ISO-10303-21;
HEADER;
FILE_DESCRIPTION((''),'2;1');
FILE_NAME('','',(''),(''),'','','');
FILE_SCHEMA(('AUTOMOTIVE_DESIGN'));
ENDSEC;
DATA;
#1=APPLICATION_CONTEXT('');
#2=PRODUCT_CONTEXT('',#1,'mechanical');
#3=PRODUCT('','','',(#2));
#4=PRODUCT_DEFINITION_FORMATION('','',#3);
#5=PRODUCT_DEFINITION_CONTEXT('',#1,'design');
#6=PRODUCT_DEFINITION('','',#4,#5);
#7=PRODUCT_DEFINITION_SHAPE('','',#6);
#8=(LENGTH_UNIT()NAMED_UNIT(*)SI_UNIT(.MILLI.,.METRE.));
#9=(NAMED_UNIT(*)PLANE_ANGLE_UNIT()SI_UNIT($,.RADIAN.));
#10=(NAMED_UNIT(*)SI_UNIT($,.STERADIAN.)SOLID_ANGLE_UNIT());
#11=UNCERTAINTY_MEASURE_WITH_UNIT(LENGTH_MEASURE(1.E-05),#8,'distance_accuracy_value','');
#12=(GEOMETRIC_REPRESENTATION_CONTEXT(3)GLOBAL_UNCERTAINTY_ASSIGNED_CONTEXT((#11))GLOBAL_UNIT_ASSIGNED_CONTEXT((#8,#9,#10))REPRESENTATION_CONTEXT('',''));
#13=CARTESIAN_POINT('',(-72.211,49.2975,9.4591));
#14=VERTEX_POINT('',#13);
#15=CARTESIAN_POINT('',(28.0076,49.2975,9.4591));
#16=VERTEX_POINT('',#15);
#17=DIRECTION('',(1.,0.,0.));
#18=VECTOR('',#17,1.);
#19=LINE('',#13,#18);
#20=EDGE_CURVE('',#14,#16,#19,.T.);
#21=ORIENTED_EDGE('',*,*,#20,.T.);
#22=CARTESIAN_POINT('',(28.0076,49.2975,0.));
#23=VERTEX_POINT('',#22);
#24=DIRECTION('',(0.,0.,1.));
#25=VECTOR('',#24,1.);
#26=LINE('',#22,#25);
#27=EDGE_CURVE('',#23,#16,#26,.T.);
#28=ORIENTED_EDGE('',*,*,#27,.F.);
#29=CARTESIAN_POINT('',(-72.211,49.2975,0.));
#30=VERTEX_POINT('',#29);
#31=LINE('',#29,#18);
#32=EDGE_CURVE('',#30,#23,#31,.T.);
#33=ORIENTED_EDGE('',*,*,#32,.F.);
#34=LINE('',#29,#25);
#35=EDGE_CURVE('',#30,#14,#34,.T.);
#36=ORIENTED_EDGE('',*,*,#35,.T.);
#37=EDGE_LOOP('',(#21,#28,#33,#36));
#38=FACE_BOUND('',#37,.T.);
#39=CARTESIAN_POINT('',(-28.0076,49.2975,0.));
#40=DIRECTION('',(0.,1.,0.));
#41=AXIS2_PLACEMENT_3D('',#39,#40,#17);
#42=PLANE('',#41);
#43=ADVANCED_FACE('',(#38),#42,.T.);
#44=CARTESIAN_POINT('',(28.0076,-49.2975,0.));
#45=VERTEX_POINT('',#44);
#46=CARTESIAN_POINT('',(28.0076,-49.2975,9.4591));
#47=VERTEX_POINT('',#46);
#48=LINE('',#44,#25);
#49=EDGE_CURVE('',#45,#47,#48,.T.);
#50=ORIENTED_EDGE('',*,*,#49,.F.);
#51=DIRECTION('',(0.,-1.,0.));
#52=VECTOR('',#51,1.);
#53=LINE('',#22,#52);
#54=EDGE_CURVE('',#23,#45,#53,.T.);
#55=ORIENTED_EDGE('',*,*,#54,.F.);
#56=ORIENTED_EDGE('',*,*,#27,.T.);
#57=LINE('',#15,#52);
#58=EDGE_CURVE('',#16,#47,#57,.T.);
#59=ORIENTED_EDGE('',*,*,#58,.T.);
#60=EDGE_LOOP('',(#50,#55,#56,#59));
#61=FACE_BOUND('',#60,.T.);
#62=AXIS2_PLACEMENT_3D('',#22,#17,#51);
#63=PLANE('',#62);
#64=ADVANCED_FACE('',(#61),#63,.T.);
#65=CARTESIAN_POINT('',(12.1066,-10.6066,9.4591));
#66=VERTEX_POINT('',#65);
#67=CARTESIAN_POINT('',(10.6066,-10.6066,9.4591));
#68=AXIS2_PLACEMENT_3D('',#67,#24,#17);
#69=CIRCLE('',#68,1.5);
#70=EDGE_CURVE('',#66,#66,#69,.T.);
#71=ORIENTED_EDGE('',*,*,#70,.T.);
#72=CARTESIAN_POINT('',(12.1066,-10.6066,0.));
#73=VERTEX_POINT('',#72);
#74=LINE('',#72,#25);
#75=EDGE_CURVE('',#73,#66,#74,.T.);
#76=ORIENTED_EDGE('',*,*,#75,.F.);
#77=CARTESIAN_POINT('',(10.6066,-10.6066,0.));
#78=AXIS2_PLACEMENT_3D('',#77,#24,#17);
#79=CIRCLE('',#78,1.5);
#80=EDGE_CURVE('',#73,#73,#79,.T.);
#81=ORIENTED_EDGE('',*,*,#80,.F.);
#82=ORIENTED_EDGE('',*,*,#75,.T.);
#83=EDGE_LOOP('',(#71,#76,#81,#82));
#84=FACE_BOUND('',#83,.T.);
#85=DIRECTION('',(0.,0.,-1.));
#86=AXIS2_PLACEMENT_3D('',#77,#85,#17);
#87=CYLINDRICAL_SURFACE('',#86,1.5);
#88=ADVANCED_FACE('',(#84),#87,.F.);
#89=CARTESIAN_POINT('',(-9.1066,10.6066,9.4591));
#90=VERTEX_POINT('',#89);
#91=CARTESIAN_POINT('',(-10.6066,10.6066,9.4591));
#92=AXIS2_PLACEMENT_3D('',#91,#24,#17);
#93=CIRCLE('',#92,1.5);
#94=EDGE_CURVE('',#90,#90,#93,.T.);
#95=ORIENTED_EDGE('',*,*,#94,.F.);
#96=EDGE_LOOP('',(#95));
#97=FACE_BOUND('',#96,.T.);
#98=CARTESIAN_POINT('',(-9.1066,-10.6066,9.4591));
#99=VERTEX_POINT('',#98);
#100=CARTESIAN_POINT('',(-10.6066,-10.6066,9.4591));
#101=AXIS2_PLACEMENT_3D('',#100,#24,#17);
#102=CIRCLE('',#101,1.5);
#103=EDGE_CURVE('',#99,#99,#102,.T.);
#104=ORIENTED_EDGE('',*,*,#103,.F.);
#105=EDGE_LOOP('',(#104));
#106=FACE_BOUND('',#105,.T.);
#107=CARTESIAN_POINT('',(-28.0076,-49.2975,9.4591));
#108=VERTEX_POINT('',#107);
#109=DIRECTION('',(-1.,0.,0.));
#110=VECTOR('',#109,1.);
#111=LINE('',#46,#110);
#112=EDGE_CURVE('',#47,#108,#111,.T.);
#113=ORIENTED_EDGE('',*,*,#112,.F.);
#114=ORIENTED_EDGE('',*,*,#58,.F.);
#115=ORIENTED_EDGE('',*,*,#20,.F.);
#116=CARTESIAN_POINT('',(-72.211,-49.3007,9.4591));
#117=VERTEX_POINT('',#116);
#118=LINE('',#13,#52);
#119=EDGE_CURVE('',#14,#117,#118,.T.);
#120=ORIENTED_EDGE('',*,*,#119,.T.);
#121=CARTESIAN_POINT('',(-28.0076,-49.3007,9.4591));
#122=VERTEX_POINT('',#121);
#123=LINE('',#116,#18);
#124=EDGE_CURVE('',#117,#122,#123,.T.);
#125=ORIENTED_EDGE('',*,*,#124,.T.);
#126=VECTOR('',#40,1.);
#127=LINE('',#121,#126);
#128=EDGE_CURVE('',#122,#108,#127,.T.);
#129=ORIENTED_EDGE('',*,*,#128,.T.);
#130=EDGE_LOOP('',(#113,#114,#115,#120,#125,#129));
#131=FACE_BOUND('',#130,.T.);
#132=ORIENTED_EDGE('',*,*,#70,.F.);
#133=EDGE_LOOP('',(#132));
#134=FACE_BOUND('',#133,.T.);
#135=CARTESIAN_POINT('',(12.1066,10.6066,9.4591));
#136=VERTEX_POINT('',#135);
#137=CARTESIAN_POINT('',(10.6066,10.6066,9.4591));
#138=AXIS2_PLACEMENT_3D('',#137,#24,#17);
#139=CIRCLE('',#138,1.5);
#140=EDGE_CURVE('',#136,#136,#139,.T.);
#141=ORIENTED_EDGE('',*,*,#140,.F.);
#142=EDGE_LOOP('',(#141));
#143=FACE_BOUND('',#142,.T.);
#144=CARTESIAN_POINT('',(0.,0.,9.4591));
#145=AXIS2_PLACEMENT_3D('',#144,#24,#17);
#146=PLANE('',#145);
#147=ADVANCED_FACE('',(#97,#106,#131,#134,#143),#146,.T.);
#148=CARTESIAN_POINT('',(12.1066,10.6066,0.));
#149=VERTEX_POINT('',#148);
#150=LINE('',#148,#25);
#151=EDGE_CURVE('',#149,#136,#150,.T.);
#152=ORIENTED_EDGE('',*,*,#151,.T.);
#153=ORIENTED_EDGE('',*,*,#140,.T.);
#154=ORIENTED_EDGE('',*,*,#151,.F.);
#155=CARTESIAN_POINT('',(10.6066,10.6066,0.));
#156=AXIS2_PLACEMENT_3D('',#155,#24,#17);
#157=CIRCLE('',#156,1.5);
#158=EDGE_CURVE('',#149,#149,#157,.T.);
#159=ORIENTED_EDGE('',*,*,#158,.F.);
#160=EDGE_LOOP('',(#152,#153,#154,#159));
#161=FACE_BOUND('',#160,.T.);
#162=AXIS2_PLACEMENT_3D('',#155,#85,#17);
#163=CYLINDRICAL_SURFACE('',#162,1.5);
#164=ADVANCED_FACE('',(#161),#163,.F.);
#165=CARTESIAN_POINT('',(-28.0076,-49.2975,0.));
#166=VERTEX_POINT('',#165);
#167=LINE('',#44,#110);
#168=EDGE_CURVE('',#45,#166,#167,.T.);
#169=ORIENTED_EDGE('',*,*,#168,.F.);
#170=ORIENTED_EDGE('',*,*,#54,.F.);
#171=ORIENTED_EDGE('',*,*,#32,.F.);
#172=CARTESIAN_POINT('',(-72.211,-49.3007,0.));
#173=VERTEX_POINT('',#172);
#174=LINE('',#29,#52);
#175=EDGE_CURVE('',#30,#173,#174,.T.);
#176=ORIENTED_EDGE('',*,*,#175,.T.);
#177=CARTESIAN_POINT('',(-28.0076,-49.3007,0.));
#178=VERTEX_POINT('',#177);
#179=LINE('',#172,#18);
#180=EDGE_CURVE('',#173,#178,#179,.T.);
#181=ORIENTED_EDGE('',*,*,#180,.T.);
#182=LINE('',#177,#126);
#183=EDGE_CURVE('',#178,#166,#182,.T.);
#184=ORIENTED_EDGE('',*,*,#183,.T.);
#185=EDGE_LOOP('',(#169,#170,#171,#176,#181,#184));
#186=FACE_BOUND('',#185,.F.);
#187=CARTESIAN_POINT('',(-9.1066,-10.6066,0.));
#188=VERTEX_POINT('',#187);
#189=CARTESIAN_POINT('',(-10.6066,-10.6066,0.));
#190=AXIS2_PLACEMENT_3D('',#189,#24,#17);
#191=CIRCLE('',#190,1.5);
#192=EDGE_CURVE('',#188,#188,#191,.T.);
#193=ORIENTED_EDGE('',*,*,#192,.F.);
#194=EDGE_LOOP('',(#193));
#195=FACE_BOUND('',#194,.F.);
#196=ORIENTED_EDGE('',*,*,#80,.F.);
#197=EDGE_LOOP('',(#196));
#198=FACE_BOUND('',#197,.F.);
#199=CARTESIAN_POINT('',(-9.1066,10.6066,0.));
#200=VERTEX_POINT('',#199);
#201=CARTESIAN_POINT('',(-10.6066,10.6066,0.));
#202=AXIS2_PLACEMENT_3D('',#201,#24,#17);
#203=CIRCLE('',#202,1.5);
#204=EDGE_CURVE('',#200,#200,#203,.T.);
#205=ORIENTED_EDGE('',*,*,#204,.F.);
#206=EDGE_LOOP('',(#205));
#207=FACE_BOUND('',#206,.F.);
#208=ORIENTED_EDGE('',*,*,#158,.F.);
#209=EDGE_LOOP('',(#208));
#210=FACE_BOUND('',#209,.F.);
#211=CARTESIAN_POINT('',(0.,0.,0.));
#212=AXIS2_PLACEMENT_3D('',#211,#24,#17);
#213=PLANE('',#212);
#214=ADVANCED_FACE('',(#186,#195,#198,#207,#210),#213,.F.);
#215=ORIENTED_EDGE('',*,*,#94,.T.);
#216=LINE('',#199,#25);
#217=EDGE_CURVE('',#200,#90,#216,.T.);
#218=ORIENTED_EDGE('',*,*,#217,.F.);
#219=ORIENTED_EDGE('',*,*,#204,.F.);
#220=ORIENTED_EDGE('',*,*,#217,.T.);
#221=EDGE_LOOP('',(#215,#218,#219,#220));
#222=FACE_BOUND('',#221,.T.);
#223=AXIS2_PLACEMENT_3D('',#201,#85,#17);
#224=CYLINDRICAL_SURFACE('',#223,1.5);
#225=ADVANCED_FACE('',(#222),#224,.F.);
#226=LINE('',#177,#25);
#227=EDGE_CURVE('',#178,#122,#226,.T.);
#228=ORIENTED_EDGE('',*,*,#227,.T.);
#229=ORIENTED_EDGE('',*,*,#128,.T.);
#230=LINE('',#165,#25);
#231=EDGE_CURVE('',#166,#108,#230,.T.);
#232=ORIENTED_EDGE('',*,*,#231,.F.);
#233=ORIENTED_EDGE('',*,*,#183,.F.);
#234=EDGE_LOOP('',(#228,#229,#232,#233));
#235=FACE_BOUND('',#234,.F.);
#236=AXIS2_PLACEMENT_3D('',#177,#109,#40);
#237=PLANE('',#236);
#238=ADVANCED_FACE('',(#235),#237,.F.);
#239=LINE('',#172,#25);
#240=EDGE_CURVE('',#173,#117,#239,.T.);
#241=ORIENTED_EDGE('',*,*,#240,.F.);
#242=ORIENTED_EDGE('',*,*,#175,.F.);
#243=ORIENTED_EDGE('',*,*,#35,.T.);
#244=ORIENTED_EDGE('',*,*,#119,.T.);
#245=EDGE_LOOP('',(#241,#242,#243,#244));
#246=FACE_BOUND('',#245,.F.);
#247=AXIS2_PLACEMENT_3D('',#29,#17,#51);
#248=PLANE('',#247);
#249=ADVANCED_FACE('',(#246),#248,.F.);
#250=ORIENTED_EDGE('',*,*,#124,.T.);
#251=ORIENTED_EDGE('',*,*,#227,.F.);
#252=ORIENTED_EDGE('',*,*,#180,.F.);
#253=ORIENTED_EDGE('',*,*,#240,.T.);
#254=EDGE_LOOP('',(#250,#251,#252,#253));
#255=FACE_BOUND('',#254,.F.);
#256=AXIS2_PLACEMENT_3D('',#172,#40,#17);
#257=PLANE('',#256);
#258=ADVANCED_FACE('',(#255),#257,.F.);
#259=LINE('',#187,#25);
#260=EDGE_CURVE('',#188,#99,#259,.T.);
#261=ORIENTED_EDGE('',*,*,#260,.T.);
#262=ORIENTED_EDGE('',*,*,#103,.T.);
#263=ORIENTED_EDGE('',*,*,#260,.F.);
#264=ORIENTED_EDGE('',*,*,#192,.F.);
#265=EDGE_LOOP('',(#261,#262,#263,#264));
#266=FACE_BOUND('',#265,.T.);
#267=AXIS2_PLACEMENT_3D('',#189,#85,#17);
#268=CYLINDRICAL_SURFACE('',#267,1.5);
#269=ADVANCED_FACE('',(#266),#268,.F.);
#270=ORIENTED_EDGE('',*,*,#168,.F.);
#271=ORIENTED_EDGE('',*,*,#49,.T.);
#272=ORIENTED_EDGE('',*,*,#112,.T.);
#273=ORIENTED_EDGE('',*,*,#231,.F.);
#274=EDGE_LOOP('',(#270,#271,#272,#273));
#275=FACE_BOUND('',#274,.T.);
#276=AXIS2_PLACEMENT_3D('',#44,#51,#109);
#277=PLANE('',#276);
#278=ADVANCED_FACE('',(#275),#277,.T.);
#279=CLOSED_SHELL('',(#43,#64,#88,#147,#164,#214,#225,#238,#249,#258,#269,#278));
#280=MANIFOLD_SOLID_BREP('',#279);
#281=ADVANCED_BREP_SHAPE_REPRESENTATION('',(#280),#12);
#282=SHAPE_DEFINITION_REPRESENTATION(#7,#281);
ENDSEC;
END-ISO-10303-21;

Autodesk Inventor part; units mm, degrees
ref_plane "YZ Plane" through (0, 0, 0) normal (1, 0, 0) x (0, 1, 0)
ref_plane "XZ Plane" through (0, 0, 0) normal (0, 1, 0) x (-1, 0, 0)
ref_plane "XY Plane" through (0, 0, 0) normal (0, 0, 1) x (1, 0, 0)
sketch "スケッチ1" plane through (0, 0, 0) normal (0, 0, 1) x (1, 0, 0)
  circle A0 centre (10.6066, -10.6066) radius 1.5 projected
  circle A1 centre (-10.6066, -10.6066) radius 1.5 projected
  circle A2 centre (10.6066, 10.6066) radius 1.5 projected
  circle A3 centre (-10.6066, 10.6066) radius 1.5 projected
  circle A4 centre (0, 0) radius 6.3 projected
  circle A5 centre (0, 0) radius 19.7 projected
  line L0 (28.0076, -49.2975) -> (-28.0076, -49.2975)
  line L1 (-28.0076, -49.2975) -> (-28.0076, 49.2975)
  line L2 (-28.0076, 49.2975) -> (28.0076, 49.2975)
  line L3 (28.0076, 49.2975) -> (28.0076, -49.2975)
  line L4 (28.0076, -49.2975) -> (-28.0076, 49.2975) construction
  line L5 (-28.0076, -49.2975) -> (28.0076, 49.2975) construction
  line L6 (-28.0076, 49.2975) -> (-72.211, 49.2975)
  line L7 (-72.211, 49.2975) -> (-72.211, -49.3007)
  line L8 (-72.211, -49.3007) -> (-28.0076, -49.3007)
  line L9 (-28.0076, -49.3007) -> (-28.0076, 49.2975)
  point P0 (0, 0)
  point P1 (-28.0076, -6.8711)
extrude "押し出し1" add sketch "スケッチ1" along normal blind 9.4591 contours A4 | A5 | L0 L1 L2 L3 | L9 L8 L7 L6 L1
